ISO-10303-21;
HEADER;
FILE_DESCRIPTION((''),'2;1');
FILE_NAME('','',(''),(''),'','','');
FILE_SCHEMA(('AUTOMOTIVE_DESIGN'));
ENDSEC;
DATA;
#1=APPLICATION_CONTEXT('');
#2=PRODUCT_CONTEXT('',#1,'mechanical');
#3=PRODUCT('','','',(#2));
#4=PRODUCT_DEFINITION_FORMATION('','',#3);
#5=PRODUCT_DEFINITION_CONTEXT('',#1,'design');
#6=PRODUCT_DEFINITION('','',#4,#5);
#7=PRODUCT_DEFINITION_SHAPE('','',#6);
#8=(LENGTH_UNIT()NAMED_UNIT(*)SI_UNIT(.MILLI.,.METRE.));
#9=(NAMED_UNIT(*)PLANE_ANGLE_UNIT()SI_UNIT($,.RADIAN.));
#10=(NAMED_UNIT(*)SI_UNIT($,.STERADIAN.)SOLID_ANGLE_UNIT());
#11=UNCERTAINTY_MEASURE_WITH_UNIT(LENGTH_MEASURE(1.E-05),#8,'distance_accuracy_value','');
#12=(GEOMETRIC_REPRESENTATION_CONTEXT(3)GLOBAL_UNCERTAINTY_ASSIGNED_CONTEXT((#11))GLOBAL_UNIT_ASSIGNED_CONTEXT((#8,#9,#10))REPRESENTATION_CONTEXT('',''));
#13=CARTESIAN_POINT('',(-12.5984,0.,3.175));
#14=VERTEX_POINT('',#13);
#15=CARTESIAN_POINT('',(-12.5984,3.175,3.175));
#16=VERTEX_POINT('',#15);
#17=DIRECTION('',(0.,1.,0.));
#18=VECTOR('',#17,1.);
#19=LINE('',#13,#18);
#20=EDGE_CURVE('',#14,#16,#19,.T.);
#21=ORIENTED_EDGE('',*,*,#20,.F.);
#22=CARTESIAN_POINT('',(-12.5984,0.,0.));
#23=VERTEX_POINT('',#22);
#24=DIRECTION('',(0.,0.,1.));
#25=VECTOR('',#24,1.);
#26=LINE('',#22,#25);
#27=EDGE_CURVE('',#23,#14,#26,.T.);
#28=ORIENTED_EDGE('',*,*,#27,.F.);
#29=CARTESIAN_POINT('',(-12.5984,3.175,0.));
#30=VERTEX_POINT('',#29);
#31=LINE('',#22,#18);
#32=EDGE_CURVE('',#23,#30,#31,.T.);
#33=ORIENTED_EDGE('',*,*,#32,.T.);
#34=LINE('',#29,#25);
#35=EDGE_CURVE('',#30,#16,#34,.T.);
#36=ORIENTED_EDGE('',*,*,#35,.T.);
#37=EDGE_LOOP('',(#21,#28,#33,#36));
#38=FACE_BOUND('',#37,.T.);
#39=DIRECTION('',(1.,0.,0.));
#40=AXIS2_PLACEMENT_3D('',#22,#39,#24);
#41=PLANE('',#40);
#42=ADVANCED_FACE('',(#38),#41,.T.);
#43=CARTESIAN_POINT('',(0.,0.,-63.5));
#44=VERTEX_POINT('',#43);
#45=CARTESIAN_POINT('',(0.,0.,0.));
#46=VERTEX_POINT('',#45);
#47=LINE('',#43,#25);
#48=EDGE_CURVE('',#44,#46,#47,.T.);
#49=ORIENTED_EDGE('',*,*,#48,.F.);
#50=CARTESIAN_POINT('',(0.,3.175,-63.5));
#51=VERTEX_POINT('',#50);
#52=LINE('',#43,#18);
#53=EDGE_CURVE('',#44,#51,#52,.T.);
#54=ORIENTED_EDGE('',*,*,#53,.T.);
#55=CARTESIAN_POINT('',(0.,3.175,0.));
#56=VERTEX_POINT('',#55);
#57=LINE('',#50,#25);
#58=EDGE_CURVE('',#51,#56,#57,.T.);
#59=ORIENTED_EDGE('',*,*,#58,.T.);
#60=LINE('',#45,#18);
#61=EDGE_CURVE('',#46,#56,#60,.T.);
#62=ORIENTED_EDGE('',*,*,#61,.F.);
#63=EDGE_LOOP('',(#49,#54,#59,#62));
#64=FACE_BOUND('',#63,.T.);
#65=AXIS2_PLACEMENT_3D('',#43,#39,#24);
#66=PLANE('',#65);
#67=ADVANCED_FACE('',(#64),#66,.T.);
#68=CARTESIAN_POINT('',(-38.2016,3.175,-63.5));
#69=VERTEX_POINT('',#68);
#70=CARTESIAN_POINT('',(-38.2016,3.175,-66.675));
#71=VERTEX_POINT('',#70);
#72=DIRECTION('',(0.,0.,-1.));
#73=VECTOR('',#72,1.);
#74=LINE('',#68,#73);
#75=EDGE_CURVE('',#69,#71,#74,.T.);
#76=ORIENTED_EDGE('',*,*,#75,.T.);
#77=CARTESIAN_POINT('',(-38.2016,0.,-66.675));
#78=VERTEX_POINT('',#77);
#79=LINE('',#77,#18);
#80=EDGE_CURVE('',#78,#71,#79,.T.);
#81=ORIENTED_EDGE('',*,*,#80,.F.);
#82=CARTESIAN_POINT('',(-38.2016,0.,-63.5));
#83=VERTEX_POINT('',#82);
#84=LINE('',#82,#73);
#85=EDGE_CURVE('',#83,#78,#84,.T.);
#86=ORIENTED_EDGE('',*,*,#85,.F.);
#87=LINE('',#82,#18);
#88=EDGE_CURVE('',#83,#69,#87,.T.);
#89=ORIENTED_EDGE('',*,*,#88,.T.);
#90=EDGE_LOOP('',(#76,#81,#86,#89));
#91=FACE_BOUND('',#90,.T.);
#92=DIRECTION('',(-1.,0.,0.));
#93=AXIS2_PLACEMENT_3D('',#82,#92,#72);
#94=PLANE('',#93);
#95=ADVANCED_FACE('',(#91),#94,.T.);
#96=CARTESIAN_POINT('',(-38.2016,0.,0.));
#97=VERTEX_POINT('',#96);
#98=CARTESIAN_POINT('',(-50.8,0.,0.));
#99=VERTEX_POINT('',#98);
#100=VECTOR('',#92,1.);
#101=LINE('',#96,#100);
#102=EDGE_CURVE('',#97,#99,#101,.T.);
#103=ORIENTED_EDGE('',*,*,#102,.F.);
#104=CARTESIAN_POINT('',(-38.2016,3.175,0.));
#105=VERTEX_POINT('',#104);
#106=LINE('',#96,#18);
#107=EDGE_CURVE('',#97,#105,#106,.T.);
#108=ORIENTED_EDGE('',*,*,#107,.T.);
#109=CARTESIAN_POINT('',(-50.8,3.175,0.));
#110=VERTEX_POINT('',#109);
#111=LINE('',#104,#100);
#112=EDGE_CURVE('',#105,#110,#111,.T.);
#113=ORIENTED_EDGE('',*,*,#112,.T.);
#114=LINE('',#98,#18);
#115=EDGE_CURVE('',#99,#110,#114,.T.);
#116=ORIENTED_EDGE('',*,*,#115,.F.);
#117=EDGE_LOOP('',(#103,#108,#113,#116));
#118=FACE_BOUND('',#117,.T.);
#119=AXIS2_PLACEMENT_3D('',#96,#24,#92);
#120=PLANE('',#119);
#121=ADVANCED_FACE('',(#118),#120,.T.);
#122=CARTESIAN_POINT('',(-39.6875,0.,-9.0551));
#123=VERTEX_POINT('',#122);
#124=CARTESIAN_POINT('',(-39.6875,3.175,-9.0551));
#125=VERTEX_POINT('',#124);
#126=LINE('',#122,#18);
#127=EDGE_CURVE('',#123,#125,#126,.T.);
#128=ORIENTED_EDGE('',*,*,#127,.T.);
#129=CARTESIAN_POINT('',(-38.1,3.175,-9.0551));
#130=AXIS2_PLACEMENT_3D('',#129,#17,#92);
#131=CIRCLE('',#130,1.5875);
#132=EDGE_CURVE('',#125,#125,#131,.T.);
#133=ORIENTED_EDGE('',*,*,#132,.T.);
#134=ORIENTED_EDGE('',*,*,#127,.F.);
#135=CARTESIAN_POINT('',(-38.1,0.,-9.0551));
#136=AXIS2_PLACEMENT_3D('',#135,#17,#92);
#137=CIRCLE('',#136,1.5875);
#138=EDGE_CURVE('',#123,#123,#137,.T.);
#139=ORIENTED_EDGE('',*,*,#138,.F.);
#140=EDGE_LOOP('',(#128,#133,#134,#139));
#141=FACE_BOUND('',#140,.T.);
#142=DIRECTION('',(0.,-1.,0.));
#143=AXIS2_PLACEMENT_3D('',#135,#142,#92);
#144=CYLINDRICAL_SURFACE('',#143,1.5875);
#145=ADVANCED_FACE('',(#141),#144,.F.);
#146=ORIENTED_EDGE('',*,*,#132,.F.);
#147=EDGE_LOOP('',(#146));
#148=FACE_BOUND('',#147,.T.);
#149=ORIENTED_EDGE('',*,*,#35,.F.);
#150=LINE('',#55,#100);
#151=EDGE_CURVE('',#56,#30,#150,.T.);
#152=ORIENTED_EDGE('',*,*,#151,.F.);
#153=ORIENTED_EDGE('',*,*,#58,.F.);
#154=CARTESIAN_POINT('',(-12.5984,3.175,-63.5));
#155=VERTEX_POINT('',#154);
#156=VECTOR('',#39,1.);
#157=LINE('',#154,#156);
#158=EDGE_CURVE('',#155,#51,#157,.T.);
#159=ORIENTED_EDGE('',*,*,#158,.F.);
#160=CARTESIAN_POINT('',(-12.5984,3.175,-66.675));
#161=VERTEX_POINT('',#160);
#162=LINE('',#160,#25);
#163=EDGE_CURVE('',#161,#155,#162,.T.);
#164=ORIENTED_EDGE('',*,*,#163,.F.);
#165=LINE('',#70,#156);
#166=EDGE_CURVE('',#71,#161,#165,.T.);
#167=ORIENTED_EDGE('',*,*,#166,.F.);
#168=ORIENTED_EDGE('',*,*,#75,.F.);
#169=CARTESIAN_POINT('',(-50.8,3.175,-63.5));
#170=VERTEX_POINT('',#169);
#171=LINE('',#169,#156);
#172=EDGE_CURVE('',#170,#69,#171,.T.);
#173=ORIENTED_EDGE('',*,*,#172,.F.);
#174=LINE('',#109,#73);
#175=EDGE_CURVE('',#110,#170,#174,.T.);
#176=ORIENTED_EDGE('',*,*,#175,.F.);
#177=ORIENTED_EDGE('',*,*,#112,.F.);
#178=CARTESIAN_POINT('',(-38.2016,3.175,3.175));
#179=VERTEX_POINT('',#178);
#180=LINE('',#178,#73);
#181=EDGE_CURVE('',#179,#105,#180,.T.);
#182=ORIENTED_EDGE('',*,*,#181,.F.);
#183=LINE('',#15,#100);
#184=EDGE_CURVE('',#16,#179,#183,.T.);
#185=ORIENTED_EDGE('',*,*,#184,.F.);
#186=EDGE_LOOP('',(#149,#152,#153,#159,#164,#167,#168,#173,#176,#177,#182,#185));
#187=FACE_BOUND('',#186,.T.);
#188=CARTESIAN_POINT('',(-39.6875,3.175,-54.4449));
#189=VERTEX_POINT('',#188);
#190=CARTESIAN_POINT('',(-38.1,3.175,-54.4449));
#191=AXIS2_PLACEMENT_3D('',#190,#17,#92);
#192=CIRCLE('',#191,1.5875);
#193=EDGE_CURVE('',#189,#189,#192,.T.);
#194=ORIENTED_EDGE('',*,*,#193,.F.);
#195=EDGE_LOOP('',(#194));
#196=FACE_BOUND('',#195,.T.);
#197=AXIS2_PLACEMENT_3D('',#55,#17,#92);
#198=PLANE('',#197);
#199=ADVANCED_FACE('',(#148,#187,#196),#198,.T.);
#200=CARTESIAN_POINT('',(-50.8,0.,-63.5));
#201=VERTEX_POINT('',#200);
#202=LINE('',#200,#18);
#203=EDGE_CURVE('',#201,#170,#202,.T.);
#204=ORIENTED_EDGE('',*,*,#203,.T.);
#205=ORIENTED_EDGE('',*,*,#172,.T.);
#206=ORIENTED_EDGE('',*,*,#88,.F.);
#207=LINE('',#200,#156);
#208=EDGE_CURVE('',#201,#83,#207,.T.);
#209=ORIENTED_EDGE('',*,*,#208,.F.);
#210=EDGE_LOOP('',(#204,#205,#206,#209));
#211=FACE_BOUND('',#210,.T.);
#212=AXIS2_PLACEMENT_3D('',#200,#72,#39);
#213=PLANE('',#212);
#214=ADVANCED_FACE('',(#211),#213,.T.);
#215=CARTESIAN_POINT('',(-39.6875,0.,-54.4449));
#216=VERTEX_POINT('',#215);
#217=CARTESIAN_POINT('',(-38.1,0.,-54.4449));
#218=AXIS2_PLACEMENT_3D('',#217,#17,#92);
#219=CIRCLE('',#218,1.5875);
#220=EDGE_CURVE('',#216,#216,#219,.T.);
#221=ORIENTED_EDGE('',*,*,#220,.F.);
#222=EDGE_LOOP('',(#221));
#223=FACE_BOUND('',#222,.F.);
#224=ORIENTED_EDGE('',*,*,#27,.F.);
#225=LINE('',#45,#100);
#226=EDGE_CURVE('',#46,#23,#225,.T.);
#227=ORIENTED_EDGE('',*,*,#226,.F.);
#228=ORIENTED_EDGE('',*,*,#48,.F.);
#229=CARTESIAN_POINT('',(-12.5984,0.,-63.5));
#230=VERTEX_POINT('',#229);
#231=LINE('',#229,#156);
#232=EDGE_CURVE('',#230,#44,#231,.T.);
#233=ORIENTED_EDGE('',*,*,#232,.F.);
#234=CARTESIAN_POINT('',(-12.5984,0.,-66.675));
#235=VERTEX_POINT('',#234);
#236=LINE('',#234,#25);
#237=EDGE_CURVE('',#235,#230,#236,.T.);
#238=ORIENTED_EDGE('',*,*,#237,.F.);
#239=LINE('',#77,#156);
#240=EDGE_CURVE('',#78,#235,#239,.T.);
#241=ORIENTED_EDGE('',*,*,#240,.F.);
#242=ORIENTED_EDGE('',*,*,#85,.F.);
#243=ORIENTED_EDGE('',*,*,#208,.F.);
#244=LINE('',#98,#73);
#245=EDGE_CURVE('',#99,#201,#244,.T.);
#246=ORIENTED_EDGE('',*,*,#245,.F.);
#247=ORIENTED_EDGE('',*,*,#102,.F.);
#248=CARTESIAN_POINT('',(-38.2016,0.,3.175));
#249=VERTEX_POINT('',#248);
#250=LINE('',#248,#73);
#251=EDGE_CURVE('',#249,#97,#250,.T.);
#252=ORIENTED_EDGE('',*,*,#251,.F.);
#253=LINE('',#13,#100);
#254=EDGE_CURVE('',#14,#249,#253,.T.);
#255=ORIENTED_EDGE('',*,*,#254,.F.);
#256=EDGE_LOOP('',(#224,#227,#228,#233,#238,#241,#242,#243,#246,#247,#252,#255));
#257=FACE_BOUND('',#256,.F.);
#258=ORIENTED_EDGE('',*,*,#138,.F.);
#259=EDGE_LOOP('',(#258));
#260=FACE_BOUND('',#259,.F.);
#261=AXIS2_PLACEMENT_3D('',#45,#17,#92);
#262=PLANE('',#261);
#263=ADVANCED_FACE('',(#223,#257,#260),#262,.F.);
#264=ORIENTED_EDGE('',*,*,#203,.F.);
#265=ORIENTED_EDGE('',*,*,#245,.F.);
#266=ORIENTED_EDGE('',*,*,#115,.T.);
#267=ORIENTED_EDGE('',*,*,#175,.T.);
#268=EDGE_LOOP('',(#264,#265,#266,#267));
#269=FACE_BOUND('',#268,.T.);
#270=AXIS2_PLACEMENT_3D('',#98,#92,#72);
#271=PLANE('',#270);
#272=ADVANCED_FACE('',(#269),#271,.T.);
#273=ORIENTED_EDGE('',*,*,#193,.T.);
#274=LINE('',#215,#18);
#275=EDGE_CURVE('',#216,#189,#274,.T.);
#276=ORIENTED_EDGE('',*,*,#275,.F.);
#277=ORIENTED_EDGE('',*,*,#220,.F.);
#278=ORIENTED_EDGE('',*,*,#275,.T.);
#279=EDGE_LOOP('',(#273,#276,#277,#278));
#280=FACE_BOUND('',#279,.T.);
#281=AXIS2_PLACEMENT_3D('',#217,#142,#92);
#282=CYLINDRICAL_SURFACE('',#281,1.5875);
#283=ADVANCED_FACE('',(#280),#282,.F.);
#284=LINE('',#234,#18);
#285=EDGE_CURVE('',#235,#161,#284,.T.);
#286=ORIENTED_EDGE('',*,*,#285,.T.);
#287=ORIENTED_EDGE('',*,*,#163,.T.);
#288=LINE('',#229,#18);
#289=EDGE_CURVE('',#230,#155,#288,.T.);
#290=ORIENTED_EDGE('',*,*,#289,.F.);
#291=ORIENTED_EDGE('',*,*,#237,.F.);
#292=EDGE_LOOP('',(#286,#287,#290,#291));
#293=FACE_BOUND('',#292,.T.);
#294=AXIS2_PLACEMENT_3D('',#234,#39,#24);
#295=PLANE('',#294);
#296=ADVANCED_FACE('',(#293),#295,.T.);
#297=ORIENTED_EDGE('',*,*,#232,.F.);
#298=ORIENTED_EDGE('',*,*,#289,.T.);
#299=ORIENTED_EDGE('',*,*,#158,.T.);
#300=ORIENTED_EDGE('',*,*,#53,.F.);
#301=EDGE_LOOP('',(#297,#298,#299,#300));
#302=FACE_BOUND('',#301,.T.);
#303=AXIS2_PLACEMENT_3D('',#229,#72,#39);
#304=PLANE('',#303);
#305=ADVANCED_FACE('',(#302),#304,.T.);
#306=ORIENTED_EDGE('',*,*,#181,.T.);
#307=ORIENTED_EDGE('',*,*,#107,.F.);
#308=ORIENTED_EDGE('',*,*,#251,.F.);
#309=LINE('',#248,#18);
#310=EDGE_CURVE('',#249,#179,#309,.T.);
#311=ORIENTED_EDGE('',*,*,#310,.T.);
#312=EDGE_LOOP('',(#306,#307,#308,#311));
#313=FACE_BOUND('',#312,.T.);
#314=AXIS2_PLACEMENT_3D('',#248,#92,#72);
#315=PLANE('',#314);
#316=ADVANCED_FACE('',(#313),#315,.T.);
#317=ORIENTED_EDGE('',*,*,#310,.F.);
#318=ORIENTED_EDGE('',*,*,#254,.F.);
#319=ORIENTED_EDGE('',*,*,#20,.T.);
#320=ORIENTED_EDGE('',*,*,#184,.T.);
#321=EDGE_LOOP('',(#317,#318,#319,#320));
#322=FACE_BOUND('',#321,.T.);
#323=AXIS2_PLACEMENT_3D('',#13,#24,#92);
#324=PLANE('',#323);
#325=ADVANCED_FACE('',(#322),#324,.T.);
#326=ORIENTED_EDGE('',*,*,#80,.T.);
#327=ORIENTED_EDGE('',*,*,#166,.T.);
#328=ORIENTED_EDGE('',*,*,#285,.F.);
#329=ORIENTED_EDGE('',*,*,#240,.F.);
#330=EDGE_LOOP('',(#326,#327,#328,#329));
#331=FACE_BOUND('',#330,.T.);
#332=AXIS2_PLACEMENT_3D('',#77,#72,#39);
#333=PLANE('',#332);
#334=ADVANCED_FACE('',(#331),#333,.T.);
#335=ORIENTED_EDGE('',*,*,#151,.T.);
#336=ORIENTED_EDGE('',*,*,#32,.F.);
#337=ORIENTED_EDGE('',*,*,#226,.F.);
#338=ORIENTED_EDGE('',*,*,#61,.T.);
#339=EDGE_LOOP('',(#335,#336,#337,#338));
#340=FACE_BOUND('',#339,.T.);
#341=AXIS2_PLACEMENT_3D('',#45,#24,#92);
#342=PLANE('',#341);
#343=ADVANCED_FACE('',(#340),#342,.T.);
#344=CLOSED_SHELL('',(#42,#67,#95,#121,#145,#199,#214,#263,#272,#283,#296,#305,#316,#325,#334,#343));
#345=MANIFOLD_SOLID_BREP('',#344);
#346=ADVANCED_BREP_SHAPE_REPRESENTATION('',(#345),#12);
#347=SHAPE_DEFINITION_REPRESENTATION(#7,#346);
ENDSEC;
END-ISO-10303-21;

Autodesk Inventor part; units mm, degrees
ref_plane "YZ Plane" through (0, 0, 0) normal (1, 0, 0) x (0, 1, 0)
ref_plane "XZ Plane" through (0, 0, 0) normal (0, 1, 0) x (-1, 0, 0)
ref_plane "XY Plane" through (0, 0, 0) normal (0, 0, 1) x (1, 0, 0)
sketch "Sketch1" plane through (0, 0, 0) normal (0, 1, 0) x (-1, 0, 0)
  line L0 (0, 0) -> (12.5984, 0)
  line L1 (12.5984, 0) -> (12.5984, 3.175)
  line L2 (12.5984, 3.175) -> (38.2016, 3.175)
  line L3 (38.2016, 3.175) -> (38.2016, 0)
  line L4 (38.2016, 0) -> (50.8, 0)
  line L5 (50.8, 0) -> (50.8, -63.5)
  line L6 (50.8, -63.5) -> (38.2016, -63.5)
  line L7 (38.2016, -63.5) -> (38.2016, -66.675)
  line L8 (38.2016, -66.675) -> (12.5984, -66.675)
  line L9 (12.5984, -66.675) -> (12.5984, -63.5)
  line L10 (12.5984, -63.5) -> (0, -63.5)
  line L11 (0, -63.5) -> (0, 0)
  circle A0 centre (38.1, -9.0551) radius 1.5875
  circle A1 centre (38.1, -54.4449) radius 1.5875
  dimension "d0" = 12.5984
  dimension "d1" = 3.175
  dimension "d2" = 25.6032
  dimension "d3" = 63.5
  dimension "d4" = 3.175
  dimension "d5" = 50.8
  dimension "d6" = 3.175
  dimension "d7" = 3.175
  dimension "d8" = 45.3898
  dimension "d9" = 12.7
  dimension "d10" = 9.0551
extrude "Extrusion1" add sketch "Sketch1" along normal blind 3.175
equation "\"d10\" = -0.5 * d8 + 0.5 * d3"
properties part number "top"
